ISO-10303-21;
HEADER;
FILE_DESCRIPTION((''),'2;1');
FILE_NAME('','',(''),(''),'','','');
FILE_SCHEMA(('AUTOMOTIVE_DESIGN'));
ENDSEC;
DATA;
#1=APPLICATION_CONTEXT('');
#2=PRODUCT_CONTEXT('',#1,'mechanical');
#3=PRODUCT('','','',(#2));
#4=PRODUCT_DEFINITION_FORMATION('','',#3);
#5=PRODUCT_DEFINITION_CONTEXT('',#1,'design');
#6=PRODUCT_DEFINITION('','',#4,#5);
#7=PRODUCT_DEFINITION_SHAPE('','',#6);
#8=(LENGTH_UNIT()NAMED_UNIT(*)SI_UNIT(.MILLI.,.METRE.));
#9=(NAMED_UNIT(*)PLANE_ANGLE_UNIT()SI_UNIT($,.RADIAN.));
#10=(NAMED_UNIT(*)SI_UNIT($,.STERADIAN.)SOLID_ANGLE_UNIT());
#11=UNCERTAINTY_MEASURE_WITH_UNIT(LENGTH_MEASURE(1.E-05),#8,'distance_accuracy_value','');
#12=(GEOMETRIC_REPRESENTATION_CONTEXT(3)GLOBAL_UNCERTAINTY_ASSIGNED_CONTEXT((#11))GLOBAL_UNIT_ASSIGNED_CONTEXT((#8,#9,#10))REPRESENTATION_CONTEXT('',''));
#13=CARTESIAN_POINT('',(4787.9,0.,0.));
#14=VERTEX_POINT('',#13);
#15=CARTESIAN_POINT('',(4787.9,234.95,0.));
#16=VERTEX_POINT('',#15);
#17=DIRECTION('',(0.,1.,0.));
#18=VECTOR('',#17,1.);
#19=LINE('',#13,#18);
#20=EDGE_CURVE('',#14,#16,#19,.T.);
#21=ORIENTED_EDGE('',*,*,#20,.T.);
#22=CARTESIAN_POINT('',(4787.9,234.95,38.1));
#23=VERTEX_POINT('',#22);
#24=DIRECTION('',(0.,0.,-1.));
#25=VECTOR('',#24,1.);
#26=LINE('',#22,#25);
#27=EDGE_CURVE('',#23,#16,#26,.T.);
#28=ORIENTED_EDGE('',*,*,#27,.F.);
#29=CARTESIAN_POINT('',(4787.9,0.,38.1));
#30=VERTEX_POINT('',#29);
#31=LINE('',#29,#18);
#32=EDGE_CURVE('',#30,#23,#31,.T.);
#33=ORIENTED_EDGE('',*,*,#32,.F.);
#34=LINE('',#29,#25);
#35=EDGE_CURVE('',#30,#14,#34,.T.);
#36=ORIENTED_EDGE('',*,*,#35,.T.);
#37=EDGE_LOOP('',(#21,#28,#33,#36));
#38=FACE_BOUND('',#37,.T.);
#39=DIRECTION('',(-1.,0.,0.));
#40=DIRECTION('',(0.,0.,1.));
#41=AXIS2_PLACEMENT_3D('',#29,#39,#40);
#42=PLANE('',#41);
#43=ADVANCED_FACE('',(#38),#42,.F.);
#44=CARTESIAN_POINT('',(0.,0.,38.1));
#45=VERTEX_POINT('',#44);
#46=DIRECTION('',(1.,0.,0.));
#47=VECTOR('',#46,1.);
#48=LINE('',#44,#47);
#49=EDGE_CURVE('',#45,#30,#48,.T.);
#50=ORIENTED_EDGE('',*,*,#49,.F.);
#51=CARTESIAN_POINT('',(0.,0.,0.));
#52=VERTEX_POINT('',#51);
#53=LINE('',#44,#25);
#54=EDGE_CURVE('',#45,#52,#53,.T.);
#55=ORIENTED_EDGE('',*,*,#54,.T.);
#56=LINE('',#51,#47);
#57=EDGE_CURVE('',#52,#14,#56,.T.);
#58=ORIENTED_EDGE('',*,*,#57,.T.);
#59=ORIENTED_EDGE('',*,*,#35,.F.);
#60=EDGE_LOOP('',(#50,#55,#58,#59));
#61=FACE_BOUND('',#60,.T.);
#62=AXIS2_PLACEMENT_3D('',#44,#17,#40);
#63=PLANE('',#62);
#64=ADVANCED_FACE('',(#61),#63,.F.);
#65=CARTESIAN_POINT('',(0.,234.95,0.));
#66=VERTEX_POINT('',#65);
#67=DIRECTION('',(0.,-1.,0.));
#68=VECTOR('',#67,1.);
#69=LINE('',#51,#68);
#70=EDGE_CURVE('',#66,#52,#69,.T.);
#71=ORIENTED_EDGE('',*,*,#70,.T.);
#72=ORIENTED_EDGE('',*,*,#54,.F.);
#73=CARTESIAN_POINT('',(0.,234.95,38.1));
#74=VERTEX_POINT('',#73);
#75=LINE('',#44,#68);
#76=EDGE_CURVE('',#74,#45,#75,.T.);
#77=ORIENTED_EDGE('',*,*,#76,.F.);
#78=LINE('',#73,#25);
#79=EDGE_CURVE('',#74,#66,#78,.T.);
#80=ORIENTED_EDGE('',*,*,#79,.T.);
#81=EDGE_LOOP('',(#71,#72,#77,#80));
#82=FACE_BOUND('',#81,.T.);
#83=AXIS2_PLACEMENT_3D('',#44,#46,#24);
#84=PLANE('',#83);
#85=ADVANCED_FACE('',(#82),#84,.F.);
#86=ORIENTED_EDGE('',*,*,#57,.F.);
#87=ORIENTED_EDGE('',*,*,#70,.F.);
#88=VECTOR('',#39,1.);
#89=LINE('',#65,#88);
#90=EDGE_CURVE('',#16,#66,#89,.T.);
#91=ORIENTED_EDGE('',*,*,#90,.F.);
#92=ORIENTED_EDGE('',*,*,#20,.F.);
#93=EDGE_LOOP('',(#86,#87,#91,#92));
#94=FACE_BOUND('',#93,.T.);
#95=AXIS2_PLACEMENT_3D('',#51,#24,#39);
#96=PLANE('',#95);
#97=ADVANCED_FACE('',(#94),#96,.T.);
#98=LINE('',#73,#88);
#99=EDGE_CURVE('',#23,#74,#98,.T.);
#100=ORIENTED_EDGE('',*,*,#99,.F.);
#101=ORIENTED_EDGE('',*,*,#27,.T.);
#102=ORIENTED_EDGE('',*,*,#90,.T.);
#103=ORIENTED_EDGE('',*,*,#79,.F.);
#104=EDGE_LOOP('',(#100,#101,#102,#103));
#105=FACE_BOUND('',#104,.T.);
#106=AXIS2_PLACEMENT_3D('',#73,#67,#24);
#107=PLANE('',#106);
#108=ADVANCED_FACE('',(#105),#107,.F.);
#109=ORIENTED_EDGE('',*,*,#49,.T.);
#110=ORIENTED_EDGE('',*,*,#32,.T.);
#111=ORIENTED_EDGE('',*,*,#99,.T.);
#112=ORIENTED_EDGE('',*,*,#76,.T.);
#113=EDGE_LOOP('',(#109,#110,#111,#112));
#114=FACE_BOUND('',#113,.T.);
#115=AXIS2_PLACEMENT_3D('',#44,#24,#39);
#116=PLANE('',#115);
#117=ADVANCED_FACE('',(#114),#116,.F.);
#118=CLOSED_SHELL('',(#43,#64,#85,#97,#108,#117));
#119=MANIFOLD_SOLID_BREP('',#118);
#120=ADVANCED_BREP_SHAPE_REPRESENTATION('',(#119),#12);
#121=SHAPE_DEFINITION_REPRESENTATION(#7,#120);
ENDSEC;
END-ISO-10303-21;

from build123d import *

# Parameters (mm, degrees)
SKETCH1_W           = 4787.9
SKETCH1_H           = 234.95
BOSS_EXTRUDE1_DEPTH = 38.1


with BuildPart() as part:
    # Sketch1 → Boss-Extrude1 (new body)
    with BuildSketch(Plane.XY):
        with Locations((2393.95, 117.475)):
            Rectangle(SKETCH1_W, SKETCH1_H)
    extrude(amount=BOSS_EXTRUDE1_DEPTH)


solid = part.part
